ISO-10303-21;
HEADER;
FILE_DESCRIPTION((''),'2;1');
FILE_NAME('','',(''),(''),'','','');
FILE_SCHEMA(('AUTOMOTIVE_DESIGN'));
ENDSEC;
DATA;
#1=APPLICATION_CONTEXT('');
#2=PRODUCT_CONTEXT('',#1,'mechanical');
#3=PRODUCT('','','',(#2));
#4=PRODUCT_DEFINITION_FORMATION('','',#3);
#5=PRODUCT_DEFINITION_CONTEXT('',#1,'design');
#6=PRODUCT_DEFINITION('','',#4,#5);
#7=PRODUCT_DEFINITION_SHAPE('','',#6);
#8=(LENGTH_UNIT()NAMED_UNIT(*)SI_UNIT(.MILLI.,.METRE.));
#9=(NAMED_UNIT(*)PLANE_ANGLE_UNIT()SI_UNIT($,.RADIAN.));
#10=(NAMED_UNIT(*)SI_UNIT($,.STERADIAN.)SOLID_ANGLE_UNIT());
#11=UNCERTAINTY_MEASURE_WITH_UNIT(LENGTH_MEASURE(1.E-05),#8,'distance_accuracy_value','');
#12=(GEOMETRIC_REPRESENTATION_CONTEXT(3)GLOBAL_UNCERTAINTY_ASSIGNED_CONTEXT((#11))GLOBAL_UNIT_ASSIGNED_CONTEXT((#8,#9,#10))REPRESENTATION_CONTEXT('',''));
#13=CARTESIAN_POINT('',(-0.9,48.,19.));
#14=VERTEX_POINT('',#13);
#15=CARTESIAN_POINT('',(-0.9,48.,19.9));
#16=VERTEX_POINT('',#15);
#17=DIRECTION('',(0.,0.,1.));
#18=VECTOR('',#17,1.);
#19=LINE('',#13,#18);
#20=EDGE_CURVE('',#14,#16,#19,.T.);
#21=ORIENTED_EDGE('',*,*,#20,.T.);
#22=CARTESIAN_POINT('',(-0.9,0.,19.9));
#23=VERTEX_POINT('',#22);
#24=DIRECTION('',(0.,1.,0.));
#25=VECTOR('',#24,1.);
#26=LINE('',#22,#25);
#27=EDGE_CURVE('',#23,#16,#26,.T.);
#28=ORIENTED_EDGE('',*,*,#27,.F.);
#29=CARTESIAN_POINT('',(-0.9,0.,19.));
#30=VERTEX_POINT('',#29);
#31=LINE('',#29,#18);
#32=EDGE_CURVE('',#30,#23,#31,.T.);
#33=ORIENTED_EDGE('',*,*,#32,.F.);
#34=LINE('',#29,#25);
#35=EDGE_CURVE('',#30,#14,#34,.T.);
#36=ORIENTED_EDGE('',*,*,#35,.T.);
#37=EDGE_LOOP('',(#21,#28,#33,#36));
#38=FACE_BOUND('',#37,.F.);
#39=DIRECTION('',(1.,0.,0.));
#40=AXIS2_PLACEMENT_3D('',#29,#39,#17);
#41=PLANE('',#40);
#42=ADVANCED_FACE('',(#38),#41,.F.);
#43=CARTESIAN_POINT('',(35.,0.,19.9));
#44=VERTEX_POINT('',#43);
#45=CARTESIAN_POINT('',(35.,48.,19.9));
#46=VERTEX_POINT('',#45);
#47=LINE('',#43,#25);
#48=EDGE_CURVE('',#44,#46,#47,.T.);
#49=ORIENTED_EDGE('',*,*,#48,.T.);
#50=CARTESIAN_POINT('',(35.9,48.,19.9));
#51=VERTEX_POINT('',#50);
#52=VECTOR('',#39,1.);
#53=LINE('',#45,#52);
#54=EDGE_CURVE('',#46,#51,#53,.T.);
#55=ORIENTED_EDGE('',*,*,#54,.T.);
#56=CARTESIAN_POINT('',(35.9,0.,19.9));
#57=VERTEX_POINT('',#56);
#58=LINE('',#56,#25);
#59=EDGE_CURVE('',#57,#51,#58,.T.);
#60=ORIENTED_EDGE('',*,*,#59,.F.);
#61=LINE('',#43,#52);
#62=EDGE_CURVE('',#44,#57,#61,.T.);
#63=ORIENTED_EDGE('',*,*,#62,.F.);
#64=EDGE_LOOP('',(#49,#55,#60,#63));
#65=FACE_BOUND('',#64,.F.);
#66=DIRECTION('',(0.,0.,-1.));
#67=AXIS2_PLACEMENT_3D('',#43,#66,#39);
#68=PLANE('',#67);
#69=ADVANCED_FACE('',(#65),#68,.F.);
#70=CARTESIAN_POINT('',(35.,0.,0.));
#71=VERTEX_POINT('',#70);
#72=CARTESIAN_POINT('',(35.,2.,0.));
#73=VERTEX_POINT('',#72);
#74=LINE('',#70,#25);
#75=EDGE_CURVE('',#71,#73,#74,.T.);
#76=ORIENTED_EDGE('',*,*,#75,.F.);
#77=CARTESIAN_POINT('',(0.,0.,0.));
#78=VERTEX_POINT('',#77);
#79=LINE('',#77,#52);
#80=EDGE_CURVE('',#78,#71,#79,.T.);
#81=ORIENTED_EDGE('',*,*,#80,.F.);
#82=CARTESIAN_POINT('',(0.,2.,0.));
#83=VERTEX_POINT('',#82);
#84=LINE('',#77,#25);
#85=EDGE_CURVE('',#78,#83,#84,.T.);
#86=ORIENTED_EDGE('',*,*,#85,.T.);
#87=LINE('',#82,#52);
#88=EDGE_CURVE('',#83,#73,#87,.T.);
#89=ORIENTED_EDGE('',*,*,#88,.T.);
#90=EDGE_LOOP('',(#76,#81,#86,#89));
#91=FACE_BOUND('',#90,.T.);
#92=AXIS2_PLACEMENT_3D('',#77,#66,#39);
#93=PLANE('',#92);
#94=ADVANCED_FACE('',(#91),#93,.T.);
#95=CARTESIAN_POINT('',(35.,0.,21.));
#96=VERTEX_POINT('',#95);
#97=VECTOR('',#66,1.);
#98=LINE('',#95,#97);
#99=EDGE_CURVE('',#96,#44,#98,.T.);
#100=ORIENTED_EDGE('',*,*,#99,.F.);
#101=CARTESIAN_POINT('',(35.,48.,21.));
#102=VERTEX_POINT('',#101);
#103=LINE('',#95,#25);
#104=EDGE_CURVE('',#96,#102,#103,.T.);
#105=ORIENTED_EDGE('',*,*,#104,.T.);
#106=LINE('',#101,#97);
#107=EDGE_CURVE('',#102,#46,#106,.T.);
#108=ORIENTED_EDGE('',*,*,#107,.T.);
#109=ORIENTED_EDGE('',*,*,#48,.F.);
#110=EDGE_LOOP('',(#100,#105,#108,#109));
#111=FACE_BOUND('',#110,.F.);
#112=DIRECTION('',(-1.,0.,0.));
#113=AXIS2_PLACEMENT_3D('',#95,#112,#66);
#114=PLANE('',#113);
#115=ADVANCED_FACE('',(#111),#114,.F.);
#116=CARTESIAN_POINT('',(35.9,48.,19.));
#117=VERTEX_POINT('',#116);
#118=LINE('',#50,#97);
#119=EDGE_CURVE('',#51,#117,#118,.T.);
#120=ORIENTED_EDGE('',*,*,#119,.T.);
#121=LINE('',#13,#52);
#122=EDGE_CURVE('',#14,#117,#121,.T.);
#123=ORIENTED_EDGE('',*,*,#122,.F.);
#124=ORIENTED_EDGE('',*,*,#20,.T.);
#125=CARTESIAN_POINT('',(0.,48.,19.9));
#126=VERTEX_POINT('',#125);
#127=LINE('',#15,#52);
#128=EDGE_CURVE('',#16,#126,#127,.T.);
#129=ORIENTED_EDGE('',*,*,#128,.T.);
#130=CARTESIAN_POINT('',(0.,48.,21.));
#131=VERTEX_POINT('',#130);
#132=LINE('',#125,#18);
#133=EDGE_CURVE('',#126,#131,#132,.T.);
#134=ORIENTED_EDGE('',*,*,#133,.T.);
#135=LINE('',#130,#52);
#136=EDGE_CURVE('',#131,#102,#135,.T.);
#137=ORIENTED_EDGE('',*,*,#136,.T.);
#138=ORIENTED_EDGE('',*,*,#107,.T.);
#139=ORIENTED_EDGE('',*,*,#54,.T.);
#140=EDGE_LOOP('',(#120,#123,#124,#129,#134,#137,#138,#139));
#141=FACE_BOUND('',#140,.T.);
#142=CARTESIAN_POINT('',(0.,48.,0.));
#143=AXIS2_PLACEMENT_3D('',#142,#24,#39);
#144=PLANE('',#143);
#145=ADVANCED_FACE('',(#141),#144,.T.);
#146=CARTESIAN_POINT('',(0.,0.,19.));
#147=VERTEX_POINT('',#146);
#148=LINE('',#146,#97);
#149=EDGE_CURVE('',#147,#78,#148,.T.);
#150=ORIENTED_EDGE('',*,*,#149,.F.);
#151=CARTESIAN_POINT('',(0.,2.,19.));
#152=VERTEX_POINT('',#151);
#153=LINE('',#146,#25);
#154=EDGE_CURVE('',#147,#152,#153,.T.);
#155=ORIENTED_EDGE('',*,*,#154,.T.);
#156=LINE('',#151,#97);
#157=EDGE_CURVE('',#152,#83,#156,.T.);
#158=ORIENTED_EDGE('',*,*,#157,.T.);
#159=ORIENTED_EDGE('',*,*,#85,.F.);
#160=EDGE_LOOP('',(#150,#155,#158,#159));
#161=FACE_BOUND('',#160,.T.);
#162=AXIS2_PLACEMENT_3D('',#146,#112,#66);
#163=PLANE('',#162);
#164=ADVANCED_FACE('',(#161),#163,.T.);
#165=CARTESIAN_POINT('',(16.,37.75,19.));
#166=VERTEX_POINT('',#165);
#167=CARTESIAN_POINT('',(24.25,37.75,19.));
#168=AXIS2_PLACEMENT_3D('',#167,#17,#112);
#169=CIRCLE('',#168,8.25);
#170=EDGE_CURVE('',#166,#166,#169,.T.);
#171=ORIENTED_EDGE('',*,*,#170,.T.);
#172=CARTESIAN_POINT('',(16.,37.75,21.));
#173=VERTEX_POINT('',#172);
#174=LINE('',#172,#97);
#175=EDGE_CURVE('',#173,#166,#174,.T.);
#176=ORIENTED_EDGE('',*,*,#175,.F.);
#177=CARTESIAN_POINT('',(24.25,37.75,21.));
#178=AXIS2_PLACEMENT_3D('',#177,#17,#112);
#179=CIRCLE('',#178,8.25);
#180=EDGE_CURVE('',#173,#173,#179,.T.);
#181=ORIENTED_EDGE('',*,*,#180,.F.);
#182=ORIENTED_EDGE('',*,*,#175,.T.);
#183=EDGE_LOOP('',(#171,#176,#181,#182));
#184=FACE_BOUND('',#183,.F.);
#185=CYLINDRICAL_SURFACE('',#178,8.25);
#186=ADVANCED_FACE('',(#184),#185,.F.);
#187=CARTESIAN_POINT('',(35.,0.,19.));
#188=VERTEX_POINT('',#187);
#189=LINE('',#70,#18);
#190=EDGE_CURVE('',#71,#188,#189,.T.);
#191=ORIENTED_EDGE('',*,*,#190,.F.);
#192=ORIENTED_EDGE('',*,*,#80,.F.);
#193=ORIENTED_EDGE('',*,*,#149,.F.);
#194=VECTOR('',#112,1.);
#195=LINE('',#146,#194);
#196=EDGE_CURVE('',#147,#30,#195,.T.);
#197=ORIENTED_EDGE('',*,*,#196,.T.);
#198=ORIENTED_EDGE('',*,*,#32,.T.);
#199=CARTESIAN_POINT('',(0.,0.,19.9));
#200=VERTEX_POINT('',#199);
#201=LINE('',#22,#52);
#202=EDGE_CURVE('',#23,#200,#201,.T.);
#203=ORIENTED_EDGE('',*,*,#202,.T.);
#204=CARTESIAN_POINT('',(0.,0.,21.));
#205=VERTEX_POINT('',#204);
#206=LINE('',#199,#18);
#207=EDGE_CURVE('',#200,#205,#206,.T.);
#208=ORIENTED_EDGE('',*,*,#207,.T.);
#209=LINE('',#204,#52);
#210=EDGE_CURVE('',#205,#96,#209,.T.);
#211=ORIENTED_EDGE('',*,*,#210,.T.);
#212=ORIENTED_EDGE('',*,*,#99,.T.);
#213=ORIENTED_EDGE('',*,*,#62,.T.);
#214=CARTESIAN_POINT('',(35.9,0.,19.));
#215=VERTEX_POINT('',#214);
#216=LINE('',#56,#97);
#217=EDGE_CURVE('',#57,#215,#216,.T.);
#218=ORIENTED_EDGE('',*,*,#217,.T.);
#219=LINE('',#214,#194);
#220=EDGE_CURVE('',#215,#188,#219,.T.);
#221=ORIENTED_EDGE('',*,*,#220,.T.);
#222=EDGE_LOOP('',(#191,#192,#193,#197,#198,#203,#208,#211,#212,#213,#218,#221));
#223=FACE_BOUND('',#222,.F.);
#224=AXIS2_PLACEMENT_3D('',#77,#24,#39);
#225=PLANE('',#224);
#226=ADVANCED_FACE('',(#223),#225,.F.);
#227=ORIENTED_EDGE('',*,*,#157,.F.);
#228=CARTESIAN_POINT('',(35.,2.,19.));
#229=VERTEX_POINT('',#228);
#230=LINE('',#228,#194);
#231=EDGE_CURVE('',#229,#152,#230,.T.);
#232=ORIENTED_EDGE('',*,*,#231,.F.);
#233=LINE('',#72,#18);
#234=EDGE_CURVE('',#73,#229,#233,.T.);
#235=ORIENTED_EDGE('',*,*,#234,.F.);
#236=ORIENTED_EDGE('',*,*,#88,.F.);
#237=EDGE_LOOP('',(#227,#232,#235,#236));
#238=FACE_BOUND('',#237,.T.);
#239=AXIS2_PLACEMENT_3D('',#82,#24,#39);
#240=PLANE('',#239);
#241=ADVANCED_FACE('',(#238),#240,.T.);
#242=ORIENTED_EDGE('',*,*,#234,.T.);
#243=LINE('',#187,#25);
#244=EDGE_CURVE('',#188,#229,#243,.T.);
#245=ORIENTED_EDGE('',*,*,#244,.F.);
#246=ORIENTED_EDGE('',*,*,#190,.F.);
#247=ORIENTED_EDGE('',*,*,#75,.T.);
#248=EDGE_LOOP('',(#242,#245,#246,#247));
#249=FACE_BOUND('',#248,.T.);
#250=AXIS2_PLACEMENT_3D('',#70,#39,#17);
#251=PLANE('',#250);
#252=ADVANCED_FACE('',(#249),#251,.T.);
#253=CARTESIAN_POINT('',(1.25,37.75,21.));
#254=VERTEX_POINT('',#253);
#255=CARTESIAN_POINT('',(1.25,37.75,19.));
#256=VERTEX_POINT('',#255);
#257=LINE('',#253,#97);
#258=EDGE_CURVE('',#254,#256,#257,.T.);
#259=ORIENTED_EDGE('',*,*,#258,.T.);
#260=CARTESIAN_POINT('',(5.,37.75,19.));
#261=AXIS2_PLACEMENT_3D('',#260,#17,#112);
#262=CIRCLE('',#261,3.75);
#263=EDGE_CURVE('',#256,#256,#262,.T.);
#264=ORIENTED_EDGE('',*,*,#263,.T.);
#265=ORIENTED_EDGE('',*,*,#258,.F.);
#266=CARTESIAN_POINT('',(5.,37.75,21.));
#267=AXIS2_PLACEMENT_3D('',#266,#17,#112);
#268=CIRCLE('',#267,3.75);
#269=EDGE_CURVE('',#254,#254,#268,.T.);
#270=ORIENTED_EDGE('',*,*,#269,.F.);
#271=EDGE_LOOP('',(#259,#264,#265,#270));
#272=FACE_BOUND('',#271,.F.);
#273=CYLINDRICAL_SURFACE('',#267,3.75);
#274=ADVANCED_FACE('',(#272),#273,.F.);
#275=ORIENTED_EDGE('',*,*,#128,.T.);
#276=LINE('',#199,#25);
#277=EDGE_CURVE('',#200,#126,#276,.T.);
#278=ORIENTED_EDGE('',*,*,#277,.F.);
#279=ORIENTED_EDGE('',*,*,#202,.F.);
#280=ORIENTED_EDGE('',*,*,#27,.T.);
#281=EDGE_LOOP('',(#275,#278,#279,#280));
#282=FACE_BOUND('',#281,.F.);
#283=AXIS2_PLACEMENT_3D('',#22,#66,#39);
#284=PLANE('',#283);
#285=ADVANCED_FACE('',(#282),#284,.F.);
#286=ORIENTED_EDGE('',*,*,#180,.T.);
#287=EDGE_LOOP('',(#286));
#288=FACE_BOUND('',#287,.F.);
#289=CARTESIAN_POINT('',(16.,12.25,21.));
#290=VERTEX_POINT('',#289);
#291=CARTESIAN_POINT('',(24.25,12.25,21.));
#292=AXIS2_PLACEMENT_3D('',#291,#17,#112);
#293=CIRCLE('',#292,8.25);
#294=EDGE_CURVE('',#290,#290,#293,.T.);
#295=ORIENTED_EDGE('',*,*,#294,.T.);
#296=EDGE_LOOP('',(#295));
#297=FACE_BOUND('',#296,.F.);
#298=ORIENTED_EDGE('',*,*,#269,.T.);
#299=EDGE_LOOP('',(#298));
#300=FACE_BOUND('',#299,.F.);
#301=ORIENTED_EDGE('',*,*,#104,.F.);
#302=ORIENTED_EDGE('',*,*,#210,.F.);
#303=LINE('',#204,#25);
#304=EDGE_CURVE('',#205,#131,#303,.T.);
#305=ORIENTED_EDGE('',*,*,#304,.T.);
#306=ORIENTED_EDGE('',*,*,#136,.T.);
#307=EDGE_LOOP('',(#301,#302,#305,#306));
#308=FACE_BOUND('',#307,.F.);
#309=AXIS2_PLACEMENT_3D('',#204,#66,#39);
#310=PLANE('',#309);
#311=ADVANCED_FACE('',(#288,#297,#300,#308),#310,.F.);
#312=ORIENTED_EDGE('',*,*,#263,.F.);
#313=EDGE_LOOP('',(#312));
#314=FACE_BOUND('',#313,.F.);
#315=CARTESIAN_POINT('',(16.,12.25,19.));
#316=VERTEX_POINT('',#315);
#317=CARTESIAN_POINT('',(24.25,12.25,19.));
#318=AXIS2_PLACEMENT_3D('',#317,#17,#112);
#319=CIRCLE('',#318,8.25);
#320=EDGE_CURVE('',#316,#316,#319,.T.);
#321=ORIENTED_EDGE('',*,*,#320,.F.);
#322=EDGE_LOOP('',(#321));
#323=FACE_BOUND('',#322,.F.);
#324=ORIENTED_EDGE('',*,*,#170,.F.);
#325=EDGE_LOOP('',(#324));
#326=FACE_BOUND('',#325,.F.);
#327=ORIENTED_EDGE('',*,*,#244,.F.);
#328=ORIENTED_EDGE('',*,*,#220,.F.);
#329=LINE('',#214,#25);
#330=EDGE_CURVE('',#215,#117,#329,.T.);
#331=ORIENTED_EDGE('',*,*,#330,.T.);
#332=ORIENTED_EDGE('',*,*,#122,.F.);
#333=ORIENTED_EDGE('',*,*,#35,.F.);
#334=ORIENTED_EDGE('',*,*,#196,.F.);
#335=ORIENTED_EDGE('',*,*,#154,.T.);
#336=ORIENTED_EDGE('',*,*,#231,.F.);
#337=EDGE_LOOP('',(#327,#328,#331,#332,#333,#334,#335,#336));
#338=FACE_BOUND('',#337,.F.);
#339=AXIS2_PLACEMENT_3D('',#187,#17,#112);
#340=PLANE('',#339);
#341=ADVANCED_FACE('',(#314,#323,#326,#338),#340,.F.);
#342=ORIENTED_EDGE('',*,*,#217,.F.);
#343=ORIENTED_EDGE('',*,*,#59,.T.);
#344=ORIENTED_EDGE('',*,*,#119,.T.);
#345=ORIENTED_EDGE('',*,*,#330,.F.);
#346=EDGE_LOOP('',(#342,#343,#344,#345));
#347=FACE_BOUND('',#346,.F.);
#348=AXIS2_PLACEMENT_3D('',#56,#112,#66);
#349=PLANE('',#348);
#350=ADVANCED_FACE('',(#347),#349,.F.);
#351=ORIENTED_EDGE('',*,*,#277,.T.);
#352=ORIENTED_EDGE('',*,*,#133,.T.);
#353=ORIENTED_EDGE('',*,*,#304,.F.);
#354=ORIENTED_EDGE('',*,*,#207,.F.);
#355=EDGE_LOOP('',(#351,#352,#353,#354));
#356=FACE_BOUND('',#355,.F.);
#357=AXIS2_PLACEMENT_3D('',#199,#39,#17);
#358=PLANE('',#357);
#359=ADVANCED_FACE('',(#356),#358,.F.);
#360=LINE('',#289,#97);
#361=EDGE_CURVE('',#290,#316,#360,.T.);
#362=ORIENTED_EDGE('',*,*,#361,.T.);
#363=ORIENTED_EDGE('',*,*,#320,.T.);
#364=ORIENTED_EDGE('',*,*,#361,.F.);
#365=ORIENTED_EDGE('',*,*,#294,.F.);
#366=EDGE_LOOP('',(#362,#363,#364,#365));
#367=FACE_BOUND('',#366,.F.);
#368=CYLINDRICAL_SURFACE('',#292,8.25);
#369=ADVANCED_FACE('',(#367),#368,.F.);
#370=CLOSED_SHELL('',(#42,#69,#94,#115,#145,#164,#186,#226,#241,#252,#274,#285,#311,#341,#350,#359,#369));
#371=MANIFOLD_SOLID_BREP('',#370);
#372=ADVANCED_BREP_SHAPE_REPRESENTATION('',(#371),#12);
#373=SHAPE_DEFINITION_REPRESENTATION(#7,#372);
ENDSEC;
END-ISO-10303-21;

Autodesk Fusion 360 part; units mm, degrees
sketch "Sketch1" plane through (0, 0, 0) normal (0, 1, 0) x (1, 0, 0)
  line L0 (0, 0) -> (35, 0)
  line L1 (35, 0) -> (35, -19)
  line L2 (35, -19) -> (0, -19)
  line L3 (0, -19) -> (0, 0)
  line L4 (0, -19) -> (-0.9, -19)
  line L5 (-0.9, -19) -> (-0.9, -19.9)
  line L6 (-0.9, -19.9) -> (0, -19.9)
  line L7 (0, -19.9) -> (0, -21)
  line L8 (0, -21) -> (35, -21)
  line L9 (35, -21) -> (35, -19.9)
  line L10 (35, -19.9) -> (35.9, -19.9)
  line L11 (35.9, -19.9) -> (35.9, -19)
  line L12 (35.9, -19) -> (35, -19)
  dimension "d2" = 19
  dimension "d3" = 0.9
  dimension "d4" = 0.9
  dimension "d5" = 1.1
  dimension "d17" = 35
extrude "Extrude1" add sketch "Sketch1" along normal blind 48 contours L2 L4 L5 L6 L7 L8 L9 L10 L11 L12
extrude "Extrude2" add sketch "Sketch1" along normal blind 2 contours L0 L1 L2 L3
sketch "Sketch3" plane through (0, 0, 21) normal (0, 0, 1) x (-1, 0, 0)
  line L0 (0, 0) -> (-35, 0)
  line L1 (-35, 0) -> (-35, -48)
  line L2 (-35, -48) -> (0, -48)
  line L3 (0, -48) -> (0, 0)
  circle A0 centre (-24.25, -37.75) radius 8.25
  circle A1 centre (-24.25, -12.25) radius 8.25
  line L4 (-3, -46) -> (-36, -46) construction
  line L5 (-32.5, -48) -> (-32.5, 0) construction
  line L6 (-36, -4) -> (-3, -4) construction
  circle A2 centre (-5, -37.75) radius 3.75
  dimension "d10" = 16.5
  dimension "d11" = 2
  dimension "d12" = 2.5
  dimension "d13" = 42
  dimension "d14" = 7.5
  dimension "d15" = 5
extrude "Extrude3" cut sketch "Sketch3" against normal through all contours A0 | A1 | A2
